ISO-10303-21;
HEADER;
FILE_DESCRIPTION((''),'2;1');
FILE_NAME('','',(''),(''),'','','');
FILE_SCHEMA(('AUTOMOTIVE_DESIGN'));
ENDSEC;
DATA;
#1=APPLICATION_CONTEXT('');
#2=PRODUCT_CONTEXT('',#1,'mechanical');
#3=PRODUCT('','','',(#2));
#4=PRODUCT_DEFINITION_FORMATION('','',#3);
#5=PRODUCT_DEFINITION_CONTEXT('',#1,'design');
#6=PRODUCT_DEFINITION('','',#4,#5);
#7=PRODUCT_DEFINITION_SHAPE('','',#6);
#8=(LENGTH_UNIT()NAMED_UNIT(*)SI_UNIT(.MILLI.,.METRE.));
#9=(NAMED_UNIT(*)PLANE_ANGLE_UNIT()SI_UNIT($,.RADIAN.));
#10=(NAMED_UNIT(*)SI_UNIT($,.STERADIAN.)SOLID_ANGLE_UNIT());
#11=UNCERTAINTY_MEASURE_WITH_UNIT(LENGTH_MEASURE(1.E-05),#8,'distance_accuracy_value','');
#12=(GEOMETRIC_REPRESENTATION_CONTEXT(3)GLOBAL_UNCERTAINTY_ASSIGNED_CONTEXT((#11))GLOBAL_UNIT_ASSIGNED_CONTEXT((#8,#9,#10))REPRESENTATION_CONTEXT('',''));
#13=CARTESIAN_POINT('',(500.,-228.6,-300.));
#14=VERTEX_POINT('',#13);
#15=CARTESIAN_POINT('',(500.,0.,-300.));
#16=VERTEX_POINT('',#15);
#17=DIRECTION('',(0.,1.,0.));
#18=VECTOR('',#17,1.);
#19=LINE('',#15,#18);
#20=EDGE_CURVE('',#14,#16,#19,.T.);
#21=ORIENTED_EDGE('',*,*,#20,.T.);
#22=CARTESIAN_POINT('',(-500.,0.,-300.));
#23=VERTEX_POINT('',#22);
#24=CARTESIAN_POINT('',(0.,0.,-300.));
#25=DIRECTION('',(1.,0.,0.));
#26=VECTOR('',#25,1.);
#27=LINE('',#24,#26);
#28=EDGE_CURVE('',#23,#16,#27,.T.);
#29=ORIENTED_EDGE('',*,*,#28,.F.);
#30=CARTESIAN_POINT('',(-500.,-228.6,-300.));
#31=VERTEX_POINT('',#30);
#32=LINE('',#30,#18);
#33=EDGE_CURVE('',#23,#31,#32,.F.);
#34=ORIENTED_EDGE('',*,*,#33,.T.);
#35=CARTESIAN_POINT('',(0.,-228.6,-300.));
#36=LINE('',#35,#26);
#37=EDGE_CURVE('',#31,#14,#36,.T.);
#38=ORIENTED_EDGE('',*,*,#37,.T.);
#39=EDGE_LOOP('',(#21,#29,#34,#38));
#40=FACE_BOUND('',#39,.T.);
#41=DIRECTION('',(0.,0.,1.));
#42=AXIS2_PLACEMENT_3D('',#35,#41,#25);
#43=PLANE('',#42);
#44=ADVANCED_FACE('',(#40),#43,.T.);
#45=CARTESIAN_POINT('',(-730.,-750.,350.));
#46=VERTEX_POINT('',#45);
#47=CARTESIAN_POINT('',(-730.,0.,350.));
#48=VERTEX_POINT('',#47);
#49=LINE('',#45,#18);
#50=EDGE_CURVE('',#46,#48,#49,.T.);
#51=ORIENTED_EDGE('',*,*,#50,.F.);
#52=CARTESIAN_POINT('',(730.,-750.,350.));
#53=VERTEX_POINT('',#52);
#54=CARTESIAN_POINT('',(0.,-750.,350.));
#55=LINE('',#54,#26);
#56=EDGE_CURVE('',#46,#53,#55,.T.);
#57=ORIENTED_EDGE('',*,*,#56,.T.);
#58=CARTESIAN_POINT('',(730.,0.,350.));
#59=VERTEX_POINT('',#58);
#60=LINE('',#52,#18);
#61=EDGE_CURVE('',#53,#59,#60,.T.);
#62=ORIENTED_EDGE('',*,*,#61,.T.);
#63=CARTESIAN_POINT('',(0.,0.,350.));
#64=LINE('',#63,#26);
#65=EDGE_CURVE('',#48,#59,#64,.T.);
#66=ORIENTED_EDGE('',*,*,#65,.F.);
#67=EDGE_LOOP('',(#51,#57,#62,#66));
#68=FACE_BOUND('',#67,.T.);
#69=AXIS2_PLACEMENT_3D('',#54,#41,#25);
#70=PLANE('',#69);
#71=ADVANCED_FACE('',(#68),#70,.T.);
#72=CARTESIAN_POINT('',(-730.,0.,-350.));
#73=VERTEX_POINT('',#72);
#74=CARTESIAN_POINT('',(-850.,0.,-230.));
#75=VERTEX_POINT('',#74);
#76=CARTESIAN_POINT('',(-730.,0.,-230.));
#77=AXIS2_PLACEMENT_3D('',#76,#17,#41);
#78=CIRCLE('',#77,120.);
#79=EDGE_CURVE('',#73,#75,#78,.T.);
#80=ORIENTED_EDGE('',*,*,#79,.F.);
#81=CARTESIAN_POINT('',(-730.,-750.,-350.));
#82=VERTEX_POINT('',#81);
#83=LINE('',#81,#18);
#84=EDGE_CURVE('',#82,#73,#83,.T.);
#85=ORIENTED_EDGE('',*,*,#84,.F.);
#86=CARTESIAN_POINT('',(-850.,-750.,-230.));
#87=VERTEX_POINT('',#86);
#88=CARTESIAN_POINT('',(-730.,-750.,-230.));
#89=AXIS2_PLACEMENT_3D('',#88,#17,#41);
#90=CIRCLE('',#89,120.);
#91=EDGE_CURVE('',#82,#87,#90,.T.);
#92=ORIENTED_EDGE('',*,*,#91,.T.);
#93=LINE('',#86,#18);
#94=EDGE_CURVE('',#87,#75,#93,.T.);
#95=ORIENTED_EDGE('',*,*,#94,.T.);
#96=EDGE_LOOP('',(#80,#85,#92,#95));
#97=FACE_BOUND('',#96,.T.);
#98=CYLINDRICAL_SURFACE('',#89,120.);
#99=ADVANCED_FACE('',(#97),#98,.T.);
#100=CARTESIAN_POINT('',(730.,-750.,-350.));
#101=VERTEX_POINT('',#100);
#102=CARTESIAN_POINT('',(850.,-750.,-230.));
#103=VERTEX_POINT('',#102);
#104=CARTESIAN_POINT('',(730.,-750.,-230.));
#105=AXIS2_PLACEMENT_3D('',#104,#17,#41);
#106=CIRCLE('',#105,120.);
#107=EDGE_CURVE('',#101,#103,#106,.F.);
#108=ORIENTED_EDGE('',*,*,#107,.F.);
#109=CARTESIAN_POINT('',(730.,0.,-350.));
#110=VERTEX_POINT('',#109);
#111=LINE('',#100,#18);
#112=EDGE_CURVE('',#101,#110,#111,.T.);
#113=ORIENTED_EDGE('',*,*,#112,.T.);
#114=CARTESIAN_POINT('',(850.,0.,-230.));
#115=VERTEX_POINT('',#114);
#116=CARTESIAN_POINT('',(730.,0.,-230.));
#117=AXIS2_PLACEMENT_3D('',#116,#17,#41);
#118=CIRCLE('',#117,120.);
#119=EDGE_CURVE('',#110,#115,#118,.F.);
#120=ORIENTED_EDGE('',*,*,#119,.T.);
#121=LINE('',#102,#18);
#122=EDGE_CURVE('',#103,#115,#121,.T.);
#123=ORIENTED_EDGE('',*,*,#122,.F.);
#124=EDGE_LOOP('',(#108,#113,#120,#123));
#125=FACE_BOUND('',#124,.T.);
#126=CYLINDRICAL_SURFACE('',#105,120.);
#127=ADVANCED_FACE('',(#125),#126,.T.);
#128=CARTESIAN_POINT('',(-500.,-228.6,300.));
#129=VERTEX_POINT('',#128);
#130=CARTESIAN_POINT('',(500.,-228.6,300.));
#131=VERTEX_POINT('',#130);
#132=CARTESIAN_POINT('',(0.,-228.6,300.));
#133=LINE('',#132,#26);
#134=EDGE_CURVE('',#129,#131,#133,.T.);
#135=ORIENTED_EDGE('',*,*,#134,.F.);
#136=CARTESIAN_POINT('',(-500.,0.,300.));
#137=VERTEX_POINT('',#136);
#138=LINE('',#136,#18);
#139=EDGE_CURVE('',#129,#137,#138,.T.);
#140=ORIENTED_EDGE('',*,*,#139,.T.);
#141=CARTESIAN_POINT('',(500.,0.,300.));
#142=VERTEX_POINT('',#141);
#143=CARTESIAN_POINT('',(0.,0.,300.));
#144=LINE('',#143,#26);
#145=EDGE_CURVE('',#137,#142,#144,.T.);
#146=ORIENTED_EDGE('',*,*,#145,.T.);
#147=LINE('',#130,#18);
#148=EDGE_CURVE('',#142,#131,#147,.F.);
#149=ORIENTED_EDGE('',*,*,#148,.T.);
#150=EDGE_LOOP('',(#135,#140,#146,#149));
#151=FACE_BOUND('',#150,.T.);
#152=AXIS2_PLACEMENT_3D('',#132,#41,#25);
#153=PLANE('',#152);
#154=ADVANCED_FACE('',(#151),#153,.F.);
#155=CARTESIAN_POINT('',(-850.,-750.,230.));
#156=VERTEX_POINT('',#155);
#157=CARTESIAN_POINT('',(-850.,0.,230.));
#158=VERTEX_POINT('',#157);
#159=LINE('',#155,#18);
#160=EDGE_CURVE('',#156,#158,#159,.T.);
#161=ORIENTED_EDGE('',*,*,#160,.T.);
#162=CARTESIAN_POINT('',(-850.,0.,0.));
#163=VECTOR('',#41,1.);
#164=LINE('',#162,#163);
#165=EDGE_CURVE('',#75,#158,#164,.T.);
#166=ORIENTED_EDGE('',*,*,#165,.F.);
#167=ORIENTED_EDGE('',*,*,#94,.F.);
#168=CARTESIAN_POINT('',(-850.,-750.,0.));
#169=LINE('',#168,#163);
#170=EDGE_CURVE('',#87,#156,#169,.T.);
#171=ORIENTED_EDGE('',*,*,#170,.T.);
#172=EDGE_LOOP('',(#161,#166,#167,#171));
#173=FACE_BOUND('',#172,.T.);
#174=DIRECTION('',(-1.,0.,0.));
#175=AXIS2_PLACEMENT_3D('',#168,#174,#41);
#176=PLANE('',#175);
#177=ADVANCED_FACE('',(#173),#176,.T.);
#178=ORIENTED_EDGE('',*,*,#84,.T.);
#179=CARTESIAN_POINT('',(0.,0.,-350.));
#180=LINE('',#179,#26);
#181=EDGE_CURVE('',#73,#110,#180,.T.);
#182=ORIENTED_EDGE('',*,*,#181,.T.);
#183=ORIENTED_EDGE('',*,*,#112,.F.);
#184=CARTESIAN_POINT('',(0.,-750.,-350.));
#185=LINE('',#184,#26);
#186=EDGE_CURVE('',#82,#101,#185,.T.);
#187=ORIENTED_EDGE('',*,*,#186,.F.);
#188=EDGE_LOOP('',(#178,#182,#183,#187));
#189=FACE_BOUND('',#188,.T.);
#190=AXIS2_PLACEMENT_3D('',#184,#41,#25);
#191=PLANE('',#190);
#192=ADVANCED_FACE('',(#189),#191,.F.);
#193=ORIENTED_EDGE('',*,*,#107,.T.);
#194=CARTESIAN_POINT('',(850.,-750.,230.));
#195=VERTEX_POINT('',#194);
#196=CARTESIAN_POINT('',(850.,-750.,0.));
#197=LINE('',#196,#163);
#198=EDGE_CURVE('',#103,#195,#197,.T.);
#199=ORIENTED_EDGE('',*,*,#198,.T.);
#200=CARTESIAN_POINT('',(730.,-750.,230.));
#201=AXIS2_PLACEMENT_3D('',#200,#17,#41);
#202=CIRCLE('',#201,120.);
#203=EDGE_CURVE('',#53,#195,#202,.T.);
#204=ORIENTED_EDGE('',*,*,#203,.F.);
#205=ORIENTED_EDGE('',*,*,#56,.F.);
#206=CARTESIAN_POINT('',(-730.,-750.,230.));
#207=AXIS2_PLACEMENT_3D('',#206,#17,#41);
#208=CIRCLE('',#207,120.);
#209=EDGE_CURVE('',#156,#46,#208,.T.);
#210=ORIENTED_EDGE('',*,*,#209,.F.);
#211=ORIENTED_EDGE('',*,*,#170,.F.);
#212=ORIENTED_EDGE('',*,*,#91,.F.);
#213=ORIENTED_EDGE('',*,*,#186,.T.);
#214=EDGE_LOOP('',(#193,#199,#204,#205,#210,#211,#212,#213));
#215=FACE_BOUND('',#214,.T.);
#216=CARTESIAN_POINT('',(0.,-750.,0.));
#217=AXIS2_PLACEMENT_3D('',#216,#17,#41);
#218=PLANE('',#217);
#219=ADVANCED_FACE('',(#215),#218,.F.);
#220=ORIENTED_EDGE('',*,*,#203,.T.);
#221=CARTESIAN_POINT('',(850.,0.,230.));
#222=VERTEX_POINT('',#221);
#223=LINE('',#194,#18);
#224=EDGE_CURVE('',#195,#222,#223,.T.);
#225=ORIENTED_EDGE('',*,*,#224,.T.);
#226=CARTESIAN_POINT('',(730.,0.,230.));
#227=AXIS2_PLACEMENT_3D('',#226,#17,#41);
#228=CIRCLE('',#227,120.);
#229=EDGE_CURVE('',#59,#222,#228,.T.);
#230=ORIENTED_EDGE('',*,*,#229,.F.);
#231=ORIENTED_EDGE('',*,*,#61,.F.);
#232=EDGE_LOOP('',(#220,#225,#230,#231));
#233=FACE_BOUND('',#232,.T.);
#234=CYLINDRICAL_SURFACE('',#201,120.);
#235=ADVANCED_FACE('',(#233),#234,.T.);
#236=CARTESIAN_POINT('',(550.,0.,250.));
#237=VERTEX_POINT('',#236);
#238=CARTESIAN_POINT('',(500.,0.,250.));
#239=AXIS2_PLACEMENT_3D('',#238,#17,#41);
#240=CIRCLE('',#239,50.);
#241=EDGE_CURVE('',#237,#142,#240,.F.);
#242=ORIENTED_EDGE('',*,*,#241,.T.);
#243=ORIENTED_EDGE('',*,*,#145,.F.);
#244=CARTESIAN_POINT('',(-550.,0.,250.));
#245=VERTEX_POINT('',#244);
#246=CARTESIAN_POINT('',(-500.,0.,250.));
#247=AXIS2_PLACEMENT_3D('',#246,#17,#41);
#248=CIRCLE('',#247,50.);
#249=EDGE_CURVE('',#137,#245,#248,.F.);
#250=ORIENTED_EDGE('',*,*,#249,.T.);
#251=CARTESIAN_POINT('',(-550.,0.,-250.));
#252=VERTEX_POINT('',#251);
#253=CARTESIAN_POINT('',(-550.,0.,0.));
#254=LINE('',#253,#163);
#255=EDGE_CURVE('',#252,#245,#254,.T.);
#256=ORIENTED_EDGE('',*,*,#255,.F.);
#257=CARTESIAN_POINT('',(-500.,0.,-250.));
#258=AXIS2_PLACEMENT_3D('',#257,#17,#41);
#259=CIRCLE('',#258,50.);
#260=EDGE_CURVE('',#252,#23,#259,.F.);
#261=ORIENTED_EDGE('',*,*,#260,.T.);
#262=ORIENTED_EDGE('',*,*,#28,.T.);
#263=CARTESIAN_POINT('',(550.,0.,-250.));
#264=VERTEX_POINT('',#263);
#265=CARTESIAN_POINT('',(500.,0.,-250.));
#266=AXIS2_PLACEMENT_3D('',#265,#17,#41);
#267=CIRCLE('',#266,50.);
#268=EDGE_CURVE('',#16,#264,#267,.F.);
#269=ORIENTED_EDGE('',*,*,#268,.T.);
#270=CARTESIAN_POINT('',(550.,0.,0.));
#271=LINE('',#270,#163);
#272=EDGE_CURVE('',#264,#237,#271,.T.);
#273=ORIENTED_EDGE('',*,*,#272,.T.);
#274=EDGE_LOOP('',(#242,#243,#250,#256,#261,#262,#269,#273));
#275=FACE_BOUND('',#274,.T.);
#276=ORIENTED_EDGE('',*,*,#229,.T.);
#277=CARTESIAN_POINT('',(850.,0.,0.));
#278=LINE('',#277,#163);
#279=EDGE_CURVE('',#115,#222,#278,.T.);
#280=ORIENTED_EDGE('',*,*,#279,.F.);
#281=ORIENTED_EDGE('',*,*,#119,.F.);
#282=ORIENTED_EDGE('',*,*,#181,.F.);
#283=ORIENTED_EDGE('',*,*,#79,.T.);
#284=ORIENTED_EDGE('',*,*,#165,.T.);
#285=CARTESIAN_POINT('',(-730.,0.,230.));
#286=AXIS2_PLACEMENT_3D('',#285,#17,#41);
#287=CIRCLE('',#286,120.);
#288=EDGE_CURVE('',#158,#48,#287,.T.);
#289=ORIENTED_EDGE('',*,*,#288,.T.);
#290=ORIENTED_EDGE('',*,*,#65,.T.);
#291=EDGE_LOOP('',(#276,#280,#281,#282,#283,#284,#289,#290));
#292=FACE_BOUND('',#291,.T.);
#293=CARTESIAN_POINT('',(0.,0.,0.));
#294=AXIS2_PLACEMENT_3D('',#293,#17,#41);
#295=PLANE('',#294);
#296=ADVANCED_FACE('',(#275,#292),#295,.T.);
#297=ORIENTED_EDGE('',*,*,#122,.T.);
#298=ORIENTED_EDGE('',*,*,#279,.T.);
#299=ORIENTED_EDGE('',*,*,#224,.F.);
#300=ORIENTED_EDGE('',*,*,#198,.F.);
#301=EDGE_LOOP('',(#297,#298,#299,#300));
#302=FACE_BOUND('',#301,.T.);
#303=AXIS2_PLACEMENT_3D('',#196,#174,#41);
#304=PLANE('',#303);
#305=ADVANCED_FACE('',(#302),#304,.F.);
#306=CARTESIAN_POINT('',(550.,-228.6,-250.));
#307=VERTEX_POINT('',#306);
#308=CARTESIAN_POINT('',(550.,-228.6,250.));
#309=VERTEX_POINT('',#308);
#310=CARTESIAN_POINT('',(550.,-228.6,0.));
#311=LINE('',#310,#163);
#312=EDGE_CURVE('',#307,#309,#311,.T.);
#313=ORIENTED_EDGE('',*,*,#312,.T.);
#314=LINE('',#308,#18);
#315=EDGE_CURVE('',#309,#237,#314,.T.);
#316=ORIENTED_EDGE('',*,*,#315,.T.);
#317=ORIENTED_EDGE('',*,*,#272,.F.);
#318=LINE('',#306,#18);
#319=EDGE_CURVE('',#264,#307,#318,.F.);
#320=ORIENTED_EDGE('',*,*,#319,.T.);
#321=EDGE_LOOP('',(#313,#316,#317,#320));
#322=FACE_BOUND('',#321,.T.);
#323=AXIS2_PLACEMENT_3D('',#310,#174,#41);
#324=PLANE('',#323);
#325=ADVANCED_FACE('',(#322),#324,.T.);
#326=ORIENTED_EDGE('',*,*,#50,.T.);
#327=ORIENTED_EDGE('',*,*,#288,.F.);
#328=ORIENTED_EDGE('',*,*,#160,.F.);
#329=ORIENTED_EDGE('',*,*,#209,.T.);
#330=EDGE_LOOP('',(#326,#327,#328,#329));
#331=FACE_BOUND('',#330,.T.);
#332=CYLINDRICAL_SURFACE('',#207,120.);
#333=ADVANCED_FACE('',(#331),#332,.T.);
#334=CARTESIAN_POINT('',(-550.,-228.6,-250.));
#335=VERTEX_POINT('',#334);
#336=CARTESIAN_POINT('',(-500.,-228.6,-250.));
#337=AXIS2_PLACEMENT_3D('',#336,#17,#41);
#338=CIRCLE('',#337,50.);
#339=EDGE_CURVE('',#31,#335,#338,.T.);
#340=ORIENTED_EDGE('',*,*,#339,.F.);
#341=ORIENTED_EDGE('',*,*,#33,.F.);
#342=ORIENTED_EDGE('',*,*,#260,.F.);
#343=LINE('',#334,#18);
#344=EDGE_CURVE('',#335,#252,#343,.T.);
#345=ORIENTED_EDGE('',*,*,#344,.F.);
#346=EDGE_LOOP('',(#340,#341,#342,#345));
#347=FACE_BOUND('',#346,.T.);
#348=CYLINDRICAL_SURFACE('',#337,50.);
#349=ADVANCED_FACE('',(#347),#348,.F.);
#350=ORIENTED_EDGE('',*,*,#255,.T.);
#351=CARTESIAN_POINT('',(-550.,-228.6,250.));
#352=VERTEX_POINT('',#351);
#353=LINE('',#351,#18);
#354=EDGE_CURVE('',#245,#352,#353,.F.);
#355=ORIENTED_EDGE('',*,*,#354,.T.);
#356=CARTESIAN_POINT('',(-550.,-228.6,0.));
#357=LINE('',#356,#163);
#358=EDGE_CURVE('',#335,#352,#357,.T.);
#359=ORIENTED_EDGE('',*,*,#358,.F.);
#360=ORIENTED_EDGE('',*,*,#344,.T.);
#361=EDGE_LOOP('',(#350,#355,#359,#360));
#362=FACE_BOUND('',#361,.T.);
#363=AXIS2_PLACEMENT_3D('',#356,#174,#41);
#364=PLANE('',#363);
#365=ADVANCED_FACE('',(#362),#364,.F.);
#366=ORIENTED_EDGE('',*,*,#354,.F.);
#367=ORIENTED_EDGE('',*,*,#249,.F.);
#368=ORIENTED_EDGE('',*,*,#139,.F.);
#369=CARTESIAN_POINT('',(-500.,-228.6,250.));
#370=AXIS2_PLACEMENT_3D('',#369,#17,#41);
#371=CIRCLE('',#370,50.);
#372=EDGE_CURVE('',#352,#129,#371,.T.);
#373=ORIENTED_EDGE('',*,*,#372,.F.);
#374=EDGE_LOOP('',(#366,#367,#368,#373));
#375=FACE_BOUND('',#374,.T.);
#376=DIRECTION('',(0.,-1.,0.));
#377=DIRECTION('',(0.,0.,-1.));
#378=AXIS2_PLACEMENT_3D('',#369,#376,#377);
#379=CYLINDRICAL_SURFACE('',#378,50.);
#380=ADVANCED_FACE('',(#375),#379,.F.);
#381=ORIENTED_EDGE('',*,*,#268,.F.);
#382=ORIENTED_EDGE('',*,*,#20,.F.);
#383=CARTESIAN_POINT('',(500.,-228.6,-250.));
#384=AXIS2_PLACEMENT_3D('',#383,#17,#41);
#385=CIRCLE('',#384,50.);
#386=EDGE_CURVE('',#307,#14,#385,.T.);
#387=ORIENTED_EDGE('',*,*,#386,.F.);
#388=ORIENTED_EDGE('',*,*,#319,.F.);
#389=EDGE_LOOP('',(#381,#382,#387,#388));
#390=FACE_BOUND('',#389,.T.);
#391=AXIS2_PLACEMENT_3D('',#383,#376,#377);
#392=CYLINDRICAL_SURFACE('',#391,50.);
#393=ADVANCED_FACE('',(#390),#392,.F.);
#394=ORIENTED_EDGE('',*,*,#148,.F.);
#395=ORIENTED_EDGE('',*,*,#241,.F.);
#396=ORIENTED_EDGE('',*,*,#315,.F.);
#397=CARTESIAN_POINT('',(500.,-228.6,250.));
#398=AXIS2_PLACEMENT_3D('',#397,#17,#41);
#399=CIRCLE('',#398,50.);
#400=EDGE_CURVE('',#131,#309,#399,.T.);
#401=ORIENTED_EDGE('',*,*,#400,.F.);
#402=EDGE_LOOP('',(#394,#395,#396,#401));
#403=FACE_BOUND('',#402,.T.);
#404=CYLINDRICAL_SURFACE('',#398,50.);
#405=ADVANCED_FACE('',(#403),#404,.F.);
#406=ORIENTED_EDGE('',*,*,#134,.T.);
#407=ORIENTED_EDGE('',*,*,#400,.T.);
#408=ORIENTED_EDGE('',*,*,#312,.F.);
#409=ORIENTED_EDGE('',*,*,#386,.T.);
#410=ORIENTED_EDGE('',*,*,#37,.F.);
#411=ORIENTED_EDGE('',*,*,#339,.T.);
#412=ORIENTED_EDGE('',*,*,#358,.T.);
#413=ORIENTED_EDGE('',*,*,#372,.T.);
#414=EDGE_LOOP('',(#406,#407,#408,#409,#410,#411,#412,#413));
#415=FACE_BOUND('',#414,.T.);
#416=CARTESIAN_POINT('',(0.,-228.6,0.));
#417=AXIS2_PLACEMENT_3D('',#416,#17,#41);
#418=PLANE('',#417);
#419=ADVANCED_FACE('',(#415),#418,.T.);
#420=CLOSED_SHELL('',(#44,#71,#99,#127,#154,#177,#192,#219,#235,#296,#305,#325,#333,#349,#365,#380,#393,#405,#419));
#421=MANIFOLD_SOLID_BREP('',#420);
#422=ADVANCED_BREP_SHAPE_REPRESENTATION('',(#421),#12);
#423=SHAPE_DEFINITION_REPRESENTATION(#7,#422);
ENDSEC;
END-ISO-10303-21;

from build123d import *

# Parameters (mm, degrees)
BOSS_EXTRUDE1_DEPTH = 750
SKETCH1_3_W         = 1100
SKETCH1_3_H         = 600
CUT_EXTRUDE1_DEPTH  = 228.6
FILLET1_R           = 50.000000076


with BuildPart() as part:
    # Sketch1 → Boss-Extrude1 (new body)
    with BuildSketch(Plane(origin=(0, 0, 0), x_dir=(1, 0, 0), z_dir=(0, 1, 0))):
        with BuildLine():
            Line((730, 350), (-730, 350))
            ThreePointArc((-730, 350), (-814.852813742, 314.852813742), (-850, 230))
            Line((-850, 230), (-850, -230))
            ThreePointArc((-850, -230), (-814.852813742, -314.852813742), (-730, -350))
            Line((-730, -350), (730, -350))
            ThreePointArc((730, -350), (814.852813742, -314.852813742), (850, -230))
            Line((850, -230), (850, 230))
            ThreePointArc((850, 230), (814.852813742, 314.852813742), (730, 350))
        make_face()
    extrude(amount=-BOSS_EXTRUDE1_DEPTH)

    # Sketch1<3> → Cut-Extrude1 (cut)
    with BuildSketch(Plane(origin=(0, 0, 0), x_dir=(1, 0, 0), z_dir=(0, 1, 0))):
        Rectangle(SKETCH1_3_W, SKETCH1_3_H)
    extrude(amount=-CUT_EXTRUDE1_DEPTH, mode=Mode.SUBTRACT)

    # Fillet1
    fillet1_edges = [part.edges().sort_by_distance(p)[0] for p in [
        (550, -114.3, 300),
        (-550, -114.3, 300),
        (550, -114.3, -300),
        (-550, -114.3, -300),
    ]]
    fillet(fillet1_edges, radius=FILLET1_R)


solid = part.part
